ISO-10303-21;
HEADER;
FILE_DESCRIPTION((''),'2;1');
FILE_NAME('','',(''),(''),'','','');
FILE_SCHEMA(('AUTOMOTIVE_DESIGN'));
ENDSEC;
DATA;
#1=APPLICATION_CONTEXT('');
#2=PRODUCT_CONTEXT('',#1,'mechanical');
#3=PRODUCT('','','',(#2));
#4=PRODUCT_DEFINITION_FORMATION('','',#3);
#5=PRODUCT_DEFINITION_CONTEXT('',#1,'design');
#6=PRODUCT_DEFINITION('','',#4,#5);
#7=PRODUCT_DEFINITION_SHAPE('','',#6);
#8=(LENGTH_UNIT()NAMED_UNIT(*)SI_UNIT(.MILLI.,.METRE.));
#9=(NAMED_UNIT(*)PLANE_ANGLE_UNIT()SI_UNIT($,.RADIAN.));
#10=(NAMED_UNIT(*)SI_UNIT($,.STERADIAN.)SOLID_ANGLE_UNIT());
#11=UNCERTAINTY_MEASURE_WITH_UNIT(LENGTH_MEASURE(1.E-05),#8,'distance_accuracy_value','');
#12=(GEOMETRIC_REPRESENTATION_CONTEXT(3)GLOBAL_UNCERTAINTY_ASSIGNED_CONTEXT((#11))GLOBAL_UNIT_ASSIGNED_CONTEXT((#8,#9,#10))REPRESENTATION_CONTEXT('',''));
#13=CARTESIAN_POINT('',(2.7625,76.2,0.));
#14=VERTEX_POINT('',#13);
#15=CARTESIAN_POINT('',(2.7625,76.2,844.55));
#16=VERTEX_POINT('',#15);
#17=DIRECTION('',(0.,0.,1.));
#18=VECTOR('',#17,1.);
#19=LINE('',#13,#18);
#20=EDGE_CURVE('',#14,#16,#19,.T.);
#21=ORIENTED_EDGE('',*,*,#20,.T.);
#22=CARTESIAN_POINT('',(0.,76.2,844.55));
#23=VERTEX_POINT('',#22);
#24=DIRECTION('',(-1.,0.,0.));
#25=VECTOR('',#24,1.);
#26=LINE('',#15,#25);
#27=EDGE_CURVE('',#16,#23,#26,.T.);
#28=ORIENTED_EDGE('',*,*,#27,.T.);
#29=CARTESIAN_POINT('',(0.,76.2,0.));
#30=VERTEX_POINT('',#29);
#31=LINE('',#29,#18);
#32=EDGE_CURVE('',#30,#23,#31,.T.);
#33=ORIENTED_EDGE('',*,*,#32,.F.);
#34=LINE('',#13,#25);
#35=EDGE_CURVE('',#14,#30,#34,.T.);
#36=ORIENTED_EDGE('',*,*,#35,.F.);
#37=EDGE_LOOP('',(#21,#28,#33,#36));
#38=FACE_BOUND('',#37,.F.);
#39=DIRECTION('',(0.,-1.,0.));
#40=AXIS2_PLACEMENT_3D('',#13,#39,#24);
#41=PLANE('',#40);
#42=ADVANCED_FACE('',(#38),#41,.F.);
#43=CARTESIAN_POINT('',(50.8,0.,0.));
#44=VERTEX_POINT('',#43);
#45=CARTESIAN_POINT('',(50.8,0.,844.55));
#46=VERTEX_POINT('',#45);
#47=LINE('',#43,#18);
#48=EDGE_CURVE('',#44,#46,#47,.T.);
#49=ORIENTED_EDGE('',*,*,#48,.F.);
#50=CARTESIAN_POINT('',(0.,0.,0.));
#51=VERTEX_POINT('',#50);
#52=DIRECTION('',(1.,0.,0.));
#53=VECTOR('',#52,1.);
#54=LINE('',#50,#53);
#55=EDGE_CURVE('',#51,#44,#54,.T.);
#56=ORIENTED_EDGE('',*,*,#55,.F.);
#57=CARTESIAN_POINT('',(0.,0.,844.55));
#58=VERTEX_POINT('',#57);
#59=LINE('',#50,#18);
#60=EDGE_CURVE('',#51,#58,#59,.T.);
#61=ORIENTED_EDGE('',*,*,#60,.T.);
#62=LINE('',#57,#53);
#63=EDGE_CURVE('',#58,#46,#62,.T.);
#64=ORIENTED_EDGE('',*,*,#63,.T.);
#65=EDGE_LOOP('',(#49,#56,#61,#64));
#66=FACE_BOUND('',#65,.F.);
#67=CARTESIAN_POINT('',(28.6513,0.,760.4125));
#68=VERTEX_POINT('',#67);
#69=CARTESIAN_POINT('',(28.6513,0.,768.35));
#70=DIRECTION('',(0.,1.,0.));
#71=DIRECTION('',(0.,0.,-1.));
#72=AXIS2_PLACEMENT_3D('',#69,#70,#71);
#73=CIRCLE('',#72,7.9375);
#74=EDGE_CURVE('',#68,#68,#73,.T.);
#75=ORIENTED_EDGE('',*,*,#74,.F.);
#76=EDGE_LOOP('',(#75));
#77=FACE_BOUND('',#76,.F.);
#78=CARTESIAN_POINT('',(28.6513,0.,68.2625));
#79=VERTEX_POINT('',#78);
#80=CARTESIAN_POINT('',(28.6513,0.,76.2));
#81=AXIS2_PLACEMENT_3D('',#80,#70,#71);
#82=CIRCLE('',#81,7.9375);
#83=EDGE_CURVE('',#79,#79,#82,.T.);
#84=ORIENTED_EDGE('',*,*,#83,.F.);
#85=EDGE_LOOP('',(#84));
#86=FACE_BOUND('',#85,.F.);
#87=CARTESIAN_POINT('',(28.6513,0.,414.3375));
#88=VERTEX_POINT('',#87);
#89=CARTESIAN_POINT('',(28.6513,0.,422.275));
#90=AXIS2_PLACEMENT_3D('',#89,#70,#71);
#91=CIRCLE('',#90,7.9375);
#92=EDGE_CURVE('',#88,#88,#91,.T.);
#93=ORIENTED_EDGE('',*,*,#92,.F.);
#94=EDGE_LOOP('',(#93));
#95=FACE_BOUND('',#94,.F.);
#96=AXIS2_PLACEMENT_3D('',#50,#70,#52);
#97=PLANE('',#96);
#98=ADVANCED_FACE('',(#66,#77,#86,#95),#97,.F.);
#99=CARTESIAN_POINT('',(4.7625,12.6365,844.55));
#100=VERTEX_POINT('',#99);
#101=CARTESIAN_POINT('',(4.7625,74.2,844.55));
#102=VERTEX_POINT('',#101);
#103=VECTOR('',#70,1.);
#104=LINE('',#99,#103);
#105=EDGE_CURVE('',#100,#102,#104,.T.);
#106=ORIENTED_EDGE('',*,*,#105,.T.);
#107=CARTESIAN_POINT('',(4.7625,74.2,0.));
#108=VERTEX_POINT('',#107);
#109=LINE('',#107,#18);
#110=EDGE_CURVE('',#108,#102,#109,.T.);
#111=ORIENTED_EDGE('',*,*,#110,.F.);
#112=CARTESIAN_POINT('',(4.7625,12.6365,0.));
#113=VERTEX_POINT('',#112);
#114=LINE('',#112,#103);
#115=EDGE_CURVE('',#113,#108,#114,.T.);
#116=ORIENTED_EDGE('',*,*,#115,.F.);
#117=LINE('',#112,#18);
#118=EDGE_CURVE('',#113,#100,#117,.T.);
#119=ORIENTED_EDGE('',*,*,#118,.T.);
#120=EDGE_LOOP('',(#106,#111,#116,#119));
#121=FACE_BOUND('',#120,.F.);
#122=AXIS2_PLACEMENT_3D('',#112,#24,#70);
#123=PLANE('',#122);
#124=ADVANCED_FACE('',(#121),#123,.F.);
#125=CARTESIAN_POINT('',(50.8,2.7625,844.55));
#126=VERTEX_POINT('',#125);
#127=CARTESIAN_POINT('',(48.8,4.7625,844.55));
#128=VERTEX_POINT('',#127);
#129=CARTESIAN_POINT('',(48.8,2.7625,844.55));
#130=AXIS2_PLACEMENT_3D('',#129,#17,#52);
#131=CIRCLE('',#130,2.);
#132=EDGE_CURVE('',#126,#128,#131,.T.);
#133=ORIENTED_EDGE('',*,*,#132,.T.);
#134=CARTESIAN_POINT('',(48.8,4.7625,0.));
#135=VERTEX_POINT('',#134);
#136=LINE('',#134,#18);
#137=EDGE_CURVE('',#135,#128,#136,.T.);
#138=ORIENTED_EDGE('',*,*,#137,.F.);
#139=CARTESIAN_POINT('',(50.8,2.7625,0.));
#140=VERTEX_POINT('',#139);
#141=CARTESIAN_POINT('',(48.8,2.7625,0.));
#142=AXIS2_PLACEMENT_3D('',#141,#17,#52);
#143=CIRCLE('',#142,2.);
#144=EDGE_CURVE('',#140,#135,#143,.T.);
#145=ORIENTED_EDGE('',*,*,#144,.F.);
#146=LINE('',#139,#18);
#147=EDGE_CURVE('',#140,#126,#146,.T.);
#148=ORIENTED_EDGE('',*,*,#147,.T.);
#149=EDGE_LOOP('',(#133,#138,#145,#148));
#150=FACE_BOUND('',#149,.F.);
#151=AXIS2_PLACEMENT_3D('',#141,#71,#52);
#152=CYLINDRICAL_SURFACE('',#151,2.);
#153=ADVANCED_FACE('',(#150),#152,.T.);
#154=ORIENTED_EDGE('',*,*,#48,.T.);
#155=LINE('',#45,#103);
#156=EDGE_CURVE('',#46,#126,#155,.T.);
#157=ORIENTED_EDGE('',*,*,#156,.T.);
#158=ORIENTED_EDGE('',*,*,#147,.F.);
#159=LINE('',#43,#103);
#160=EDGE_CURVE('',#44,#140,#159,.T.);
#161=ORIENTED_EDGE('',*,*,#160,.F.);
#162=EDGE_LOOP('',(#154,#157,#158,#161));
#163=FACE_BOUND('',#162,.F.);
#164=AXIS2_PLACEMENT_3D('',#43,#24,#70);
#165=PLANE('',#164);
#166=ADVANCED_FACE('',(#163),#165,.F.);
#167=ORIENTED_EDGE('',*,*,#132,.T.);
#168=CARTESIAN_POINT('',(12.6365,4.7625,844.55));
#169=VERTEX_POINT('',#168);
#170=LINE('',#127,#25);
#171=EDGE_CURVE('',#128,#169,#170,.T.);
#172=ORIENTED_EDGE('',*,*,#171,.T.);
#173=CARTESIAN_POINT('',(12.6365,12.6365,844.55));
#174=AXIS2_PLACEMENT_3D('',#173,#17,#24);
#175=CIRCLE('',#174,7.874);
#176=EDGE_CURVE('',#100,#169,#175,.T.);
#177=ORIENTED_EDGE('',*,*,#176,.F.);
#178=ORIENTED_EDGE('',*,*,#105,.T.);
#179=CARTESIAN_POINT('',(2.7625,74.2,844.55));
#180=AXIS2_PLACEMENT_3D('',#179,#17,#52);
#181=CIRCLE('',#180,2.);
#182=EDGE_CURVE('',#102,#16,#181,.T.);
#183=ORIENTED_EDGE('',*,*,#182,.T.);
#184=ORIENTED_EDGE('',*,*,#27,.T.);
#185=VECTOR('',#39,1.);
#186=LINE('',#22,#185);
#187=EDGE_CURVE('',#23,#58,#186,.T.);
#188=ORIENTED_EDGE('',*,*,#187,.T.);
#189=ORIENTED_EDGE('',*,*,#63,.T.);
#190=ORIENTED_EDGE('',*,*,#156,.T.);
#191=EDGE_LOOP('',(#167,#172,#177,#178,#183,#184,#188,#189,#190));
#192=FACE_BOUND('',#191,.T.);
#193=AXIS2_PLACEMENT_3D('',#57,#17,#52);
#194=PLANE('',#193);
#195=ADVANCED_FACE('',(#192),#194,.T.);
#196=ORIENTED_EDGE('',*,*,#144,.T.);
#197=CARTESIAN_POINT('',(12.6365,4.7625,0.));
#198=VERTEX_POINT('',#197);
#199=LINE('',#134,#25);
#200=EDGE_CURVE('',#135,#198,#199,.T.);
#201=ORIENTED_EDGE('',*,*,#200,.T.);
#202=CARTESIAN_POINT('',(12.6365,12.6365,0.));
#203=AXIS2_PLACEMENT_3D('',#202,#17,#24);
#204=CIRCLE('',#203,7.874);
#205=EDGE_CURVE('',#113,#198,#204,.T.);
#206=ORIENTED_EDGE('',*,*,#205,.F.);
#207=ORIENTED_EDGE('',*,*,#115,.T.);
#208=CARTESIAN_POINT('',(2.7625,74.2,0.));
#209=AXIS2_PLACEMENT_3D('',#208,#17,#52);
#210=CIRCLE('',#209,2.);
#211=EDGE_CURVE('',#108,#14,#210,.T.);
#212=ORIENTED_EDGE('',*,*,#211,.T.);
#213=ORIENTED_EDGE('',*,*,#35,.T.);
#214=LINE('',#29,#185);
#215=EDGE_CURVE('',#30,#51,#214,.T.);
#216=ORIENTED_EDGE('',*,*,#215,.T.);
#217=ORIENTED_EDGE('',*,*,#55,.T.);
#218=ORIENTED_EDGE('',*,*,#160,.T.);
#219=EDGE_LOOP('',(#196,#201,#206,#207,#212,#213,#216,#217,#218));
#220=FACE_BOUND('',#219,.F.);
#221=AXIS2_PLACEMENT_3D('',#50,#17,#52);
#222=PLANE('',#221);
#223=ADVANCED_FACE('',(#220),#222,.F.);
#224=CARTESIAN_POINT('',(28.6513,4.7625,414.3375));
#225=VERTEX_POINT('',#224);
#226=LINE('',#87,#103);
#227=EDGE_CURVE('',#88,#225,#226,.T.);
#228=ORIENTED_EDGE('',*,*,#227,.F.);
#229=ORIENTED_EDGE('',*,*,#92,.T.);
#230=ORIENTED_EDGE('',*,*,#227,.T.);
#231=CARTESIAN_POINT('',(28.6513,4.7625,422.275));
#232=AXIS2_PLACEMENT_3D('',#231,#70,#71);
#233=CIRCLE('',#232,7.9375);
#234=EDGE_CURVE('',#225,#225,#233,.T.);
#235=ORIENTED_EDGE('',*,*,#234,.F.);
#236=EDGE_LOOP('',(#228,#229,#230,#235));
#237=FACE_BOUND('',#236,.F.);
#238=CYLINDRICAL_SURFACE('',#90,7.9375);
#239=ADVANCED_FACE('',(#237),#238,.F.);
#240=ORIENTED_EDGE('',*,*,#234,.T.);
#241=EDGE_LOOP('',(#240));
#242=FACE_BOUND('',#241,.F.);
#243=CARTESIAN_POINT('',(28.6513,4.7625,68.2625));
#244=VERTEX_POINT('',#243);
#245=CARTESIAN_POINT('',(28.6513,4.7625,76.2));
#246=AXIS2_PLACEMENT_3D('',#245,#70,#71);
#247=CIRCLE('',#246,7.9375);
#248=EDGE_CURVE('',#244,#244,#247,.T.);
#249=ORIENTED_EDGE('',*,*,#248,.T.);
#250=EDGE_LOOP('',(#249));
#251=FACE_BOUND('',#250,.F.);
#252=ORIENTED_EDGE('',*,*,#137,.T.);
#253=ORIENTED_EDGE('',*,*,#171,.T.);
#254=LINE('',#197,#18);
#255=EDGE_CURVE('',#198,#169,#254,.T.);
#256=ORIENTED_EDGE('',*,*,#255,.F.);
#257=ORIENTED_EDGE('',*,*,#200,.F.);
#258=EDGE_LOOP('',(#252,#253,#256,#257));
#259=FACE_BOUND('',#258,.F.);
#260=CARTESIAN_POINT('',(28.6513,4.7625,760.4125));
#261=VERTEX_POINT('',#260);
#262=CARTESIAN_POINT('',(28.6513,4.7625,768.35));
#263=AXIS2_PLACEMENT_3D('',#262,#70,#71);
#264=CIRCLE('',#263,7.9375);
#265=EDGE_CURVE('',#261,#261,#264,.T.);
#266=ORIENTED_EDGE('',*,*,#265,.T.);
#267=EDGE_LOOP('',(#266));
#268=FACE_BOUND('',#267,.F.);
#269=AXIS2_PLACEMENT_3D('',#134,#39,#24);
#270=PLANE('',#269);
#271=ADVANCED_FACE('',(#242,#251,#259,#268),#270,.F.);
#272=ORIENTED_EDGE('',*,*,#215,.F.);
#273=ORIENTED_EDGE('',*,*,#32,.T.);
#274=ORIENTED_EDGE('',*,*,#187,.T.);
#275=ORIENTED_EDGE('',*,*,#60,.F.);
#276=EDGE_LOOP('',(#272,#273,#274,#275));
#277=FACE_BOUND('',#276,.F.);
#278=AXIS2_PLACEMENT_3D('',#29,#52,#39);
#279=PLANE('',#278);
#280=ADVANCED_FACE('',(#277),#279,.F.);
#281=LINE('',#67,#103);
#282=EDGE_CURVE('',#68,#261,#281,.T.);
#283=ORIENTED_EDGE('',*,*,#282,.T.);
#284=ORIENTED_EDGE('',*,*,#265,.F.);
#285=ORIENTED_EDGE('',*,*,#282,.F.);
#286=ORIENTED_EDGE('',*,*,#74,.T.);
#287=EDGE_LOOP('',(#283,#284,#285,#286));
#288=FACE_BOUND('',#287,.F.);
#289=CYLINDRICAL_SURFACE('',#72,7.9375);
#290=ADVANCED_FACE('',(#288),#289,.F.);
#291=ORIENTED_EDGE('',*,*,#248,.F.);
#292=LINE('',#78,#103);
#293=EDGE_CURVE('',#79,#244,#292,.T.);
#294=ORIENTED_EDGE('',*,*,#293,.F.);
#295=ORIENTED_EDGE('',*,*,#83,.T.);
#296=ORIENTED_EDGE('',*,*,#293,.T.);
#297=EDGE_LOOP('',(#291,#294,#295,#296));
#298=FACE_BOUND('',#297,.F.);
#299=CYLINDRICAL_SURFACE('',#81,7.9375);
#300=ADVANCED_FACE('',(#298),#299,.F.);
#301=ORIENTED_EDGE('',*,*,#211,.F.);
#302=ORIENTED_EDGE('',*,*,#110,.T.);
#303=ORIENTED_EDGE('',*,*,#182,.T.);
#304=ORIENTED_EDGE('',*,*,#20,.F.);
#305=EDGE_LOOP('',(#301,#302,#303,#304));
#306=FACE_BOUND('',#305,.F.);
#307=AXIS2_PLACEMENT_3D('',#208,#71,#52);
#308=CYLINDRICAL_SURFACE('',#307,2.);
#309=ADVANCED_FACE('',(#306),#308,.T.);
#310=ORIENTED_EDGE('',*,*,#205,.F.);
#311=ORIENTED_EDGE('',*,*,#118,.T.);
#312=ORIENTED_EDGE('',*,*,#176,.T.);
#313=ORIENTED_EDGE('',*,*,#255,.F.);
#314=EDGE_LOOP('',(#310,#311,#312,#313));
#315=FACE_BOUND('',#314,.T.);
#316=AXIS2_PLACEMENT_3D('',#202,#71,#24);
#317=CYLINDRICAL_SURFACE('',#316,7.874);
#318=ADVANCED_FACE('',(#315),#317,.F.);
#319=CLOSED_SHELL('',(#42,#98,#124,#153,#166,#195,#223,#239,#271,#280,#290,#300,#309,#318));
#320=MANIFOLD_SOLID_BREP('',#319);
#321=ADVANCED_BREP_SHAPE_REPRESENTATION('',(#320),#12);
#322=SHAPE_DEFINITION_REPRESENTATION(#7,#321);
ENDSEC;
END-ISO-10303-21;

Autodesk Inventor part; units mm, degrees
ref_plane "YZ Plane" through (0, 0, 0) normal (1, 0, 0) x (0, 1, 0)
ref_plane "Start plane" through (0, 0, 0) normal (0, 0, 1) x (1, 0, 0)
ref_plane "End plane" through (0, 0, 844.55) normal (0, 0, 1) x (1, 0, 0)
sketch "Sketch" plane through (0, 0, 0) normal (0, 0, 1) x (1, 0, 0)
  line L0 (0, 76.2) -> (0, 0)
  line L1 (0, 0) -> (50.8, 0)
  line L2 (50.8, 0) -> (50.8, 2.7625)
  line L3 (48.8, 4.7625) -> (12.6365, 4.7625)
  line L4 (4.7625, 12.6365) -> (4.7625, 74.2)
  line L5 (2.7625, 76.2) -> (0, 76.2)
  line L6 (-7.0414, 0) -> (21.5385, 0) construction
  line L7 (0, -8.0414) -> (0, 34.5385) construction
  arc A0 (4.7625, 12.6365) -> (12.6365, 4.7625) centre (12.6365, 12.6365) ccw
  arc A1 (50.8, 2.7625) -> (48.8, 4.7625) centre (48.8, 2.7625) ccw
  arc A2 (4.7625, 74.2) -> (2.7625, 76.2) centre (2.7625, 74.2) ccw
  line L8 (0, 93.5453) -> (0, -24.9725) construction
  line L9 (-18.6925, 0) -> (62.8653, 0) construction
  point P0 (50.8, 4.7625)
  point P1 (4.7625, 4.7625)
  point P2 (4.7625, 76.2)
  dimension "d12" = 4.7625
  dimension "d13" = 76.2
  dimension "d14" = 50.8
  dimension "d15" = 0
  dimension "d16" = 4.7625
  dimension "d17" = 0
  dimension "d18" = 7.874
  dimension "d19" = 2
extrude "Body" add sketch "Sketch" along normal up to surface (844.55 mm away) from surface at 0
sketch "Sketch4" plane through (0, 0, 0) normal (0, 0, 1) x (1, 0, 0)
  line L0 (0, 0) -> (10, 0)
ref_plane "Work Plane3" through (0, 0, 0) normal (0, -1, 0) x (1, 0, 0)
sketch "Sketch5" plane through (0, 0, 0) normal (0, -1, 0) x (1, 0, 0)
  line L0 (-2, 0) -> (12, 0)
  line L1 (-2, 844.55) -> (12, 844.55)
  dimension "d37" = 844.55
sketch "Sketch3" plane through (0, 0, 0) normal (0, -1, 0) x (1, 0, 0)
  line L0 (50.8, 844.55) -> (0, 844.55) projected
  line L1 (50.8, 0) -> (50.8, 844.55) projected
  line L2 (28.6513, 844.55) -> (28.6513, 0)
  point P0 (28.6513, 422.275)
  point P1 (50.8, 422.275)
  point P2 (28.6513, 768.35)
  point P3 (28.6513, 76.2)
  point P4 (28.6513, 422.275)
  dimension "d22" = 844.55
  dimension "d23" = 76.2
  dimension "d24" = 422.275
  dimension "d25" = 768.35
  dimension "d26" = 76.2
  dimension "d27" = 422.275
  dimension "d28" = 768.35
hole "Hole1" at (28.6513, 0, 768.35) at (28.6513, 0, 76.2) at (28.6513, 0, 422.275) direction (0, 1, 0) diameter 15.875 end through all
equation "\"d12\" = G_T"
equation "\"d13\" = G_H"
equation "\"d14\" = G_W"
equation "\"d16\" = G_T"
equation "\"d18\" = G_IR"
equation "\"d4\" = G_L"
equation "\"G_W\" = 50.8"
equation "\"G_H\" = 76.2"
equation "\"G_T\" = 4.7625"
equation "\"G_ER\" = 4.064"
equation "\"G_IR\" = 7.874"
equation "\"G_L\" = d37"
equation "\"ex\" = 0"
equation "\"ey\" = 0"
equation "\"G_OFFSET_START\" = 0"
equation "\"G_OFFSET_END\" = 0"
equation "\"d21\" = G_OFFSET_END + B_L"
equation "\"B_L\" = 844.55"
properties part number "ANSI L 3 x 2 x 3_16 00000005"
